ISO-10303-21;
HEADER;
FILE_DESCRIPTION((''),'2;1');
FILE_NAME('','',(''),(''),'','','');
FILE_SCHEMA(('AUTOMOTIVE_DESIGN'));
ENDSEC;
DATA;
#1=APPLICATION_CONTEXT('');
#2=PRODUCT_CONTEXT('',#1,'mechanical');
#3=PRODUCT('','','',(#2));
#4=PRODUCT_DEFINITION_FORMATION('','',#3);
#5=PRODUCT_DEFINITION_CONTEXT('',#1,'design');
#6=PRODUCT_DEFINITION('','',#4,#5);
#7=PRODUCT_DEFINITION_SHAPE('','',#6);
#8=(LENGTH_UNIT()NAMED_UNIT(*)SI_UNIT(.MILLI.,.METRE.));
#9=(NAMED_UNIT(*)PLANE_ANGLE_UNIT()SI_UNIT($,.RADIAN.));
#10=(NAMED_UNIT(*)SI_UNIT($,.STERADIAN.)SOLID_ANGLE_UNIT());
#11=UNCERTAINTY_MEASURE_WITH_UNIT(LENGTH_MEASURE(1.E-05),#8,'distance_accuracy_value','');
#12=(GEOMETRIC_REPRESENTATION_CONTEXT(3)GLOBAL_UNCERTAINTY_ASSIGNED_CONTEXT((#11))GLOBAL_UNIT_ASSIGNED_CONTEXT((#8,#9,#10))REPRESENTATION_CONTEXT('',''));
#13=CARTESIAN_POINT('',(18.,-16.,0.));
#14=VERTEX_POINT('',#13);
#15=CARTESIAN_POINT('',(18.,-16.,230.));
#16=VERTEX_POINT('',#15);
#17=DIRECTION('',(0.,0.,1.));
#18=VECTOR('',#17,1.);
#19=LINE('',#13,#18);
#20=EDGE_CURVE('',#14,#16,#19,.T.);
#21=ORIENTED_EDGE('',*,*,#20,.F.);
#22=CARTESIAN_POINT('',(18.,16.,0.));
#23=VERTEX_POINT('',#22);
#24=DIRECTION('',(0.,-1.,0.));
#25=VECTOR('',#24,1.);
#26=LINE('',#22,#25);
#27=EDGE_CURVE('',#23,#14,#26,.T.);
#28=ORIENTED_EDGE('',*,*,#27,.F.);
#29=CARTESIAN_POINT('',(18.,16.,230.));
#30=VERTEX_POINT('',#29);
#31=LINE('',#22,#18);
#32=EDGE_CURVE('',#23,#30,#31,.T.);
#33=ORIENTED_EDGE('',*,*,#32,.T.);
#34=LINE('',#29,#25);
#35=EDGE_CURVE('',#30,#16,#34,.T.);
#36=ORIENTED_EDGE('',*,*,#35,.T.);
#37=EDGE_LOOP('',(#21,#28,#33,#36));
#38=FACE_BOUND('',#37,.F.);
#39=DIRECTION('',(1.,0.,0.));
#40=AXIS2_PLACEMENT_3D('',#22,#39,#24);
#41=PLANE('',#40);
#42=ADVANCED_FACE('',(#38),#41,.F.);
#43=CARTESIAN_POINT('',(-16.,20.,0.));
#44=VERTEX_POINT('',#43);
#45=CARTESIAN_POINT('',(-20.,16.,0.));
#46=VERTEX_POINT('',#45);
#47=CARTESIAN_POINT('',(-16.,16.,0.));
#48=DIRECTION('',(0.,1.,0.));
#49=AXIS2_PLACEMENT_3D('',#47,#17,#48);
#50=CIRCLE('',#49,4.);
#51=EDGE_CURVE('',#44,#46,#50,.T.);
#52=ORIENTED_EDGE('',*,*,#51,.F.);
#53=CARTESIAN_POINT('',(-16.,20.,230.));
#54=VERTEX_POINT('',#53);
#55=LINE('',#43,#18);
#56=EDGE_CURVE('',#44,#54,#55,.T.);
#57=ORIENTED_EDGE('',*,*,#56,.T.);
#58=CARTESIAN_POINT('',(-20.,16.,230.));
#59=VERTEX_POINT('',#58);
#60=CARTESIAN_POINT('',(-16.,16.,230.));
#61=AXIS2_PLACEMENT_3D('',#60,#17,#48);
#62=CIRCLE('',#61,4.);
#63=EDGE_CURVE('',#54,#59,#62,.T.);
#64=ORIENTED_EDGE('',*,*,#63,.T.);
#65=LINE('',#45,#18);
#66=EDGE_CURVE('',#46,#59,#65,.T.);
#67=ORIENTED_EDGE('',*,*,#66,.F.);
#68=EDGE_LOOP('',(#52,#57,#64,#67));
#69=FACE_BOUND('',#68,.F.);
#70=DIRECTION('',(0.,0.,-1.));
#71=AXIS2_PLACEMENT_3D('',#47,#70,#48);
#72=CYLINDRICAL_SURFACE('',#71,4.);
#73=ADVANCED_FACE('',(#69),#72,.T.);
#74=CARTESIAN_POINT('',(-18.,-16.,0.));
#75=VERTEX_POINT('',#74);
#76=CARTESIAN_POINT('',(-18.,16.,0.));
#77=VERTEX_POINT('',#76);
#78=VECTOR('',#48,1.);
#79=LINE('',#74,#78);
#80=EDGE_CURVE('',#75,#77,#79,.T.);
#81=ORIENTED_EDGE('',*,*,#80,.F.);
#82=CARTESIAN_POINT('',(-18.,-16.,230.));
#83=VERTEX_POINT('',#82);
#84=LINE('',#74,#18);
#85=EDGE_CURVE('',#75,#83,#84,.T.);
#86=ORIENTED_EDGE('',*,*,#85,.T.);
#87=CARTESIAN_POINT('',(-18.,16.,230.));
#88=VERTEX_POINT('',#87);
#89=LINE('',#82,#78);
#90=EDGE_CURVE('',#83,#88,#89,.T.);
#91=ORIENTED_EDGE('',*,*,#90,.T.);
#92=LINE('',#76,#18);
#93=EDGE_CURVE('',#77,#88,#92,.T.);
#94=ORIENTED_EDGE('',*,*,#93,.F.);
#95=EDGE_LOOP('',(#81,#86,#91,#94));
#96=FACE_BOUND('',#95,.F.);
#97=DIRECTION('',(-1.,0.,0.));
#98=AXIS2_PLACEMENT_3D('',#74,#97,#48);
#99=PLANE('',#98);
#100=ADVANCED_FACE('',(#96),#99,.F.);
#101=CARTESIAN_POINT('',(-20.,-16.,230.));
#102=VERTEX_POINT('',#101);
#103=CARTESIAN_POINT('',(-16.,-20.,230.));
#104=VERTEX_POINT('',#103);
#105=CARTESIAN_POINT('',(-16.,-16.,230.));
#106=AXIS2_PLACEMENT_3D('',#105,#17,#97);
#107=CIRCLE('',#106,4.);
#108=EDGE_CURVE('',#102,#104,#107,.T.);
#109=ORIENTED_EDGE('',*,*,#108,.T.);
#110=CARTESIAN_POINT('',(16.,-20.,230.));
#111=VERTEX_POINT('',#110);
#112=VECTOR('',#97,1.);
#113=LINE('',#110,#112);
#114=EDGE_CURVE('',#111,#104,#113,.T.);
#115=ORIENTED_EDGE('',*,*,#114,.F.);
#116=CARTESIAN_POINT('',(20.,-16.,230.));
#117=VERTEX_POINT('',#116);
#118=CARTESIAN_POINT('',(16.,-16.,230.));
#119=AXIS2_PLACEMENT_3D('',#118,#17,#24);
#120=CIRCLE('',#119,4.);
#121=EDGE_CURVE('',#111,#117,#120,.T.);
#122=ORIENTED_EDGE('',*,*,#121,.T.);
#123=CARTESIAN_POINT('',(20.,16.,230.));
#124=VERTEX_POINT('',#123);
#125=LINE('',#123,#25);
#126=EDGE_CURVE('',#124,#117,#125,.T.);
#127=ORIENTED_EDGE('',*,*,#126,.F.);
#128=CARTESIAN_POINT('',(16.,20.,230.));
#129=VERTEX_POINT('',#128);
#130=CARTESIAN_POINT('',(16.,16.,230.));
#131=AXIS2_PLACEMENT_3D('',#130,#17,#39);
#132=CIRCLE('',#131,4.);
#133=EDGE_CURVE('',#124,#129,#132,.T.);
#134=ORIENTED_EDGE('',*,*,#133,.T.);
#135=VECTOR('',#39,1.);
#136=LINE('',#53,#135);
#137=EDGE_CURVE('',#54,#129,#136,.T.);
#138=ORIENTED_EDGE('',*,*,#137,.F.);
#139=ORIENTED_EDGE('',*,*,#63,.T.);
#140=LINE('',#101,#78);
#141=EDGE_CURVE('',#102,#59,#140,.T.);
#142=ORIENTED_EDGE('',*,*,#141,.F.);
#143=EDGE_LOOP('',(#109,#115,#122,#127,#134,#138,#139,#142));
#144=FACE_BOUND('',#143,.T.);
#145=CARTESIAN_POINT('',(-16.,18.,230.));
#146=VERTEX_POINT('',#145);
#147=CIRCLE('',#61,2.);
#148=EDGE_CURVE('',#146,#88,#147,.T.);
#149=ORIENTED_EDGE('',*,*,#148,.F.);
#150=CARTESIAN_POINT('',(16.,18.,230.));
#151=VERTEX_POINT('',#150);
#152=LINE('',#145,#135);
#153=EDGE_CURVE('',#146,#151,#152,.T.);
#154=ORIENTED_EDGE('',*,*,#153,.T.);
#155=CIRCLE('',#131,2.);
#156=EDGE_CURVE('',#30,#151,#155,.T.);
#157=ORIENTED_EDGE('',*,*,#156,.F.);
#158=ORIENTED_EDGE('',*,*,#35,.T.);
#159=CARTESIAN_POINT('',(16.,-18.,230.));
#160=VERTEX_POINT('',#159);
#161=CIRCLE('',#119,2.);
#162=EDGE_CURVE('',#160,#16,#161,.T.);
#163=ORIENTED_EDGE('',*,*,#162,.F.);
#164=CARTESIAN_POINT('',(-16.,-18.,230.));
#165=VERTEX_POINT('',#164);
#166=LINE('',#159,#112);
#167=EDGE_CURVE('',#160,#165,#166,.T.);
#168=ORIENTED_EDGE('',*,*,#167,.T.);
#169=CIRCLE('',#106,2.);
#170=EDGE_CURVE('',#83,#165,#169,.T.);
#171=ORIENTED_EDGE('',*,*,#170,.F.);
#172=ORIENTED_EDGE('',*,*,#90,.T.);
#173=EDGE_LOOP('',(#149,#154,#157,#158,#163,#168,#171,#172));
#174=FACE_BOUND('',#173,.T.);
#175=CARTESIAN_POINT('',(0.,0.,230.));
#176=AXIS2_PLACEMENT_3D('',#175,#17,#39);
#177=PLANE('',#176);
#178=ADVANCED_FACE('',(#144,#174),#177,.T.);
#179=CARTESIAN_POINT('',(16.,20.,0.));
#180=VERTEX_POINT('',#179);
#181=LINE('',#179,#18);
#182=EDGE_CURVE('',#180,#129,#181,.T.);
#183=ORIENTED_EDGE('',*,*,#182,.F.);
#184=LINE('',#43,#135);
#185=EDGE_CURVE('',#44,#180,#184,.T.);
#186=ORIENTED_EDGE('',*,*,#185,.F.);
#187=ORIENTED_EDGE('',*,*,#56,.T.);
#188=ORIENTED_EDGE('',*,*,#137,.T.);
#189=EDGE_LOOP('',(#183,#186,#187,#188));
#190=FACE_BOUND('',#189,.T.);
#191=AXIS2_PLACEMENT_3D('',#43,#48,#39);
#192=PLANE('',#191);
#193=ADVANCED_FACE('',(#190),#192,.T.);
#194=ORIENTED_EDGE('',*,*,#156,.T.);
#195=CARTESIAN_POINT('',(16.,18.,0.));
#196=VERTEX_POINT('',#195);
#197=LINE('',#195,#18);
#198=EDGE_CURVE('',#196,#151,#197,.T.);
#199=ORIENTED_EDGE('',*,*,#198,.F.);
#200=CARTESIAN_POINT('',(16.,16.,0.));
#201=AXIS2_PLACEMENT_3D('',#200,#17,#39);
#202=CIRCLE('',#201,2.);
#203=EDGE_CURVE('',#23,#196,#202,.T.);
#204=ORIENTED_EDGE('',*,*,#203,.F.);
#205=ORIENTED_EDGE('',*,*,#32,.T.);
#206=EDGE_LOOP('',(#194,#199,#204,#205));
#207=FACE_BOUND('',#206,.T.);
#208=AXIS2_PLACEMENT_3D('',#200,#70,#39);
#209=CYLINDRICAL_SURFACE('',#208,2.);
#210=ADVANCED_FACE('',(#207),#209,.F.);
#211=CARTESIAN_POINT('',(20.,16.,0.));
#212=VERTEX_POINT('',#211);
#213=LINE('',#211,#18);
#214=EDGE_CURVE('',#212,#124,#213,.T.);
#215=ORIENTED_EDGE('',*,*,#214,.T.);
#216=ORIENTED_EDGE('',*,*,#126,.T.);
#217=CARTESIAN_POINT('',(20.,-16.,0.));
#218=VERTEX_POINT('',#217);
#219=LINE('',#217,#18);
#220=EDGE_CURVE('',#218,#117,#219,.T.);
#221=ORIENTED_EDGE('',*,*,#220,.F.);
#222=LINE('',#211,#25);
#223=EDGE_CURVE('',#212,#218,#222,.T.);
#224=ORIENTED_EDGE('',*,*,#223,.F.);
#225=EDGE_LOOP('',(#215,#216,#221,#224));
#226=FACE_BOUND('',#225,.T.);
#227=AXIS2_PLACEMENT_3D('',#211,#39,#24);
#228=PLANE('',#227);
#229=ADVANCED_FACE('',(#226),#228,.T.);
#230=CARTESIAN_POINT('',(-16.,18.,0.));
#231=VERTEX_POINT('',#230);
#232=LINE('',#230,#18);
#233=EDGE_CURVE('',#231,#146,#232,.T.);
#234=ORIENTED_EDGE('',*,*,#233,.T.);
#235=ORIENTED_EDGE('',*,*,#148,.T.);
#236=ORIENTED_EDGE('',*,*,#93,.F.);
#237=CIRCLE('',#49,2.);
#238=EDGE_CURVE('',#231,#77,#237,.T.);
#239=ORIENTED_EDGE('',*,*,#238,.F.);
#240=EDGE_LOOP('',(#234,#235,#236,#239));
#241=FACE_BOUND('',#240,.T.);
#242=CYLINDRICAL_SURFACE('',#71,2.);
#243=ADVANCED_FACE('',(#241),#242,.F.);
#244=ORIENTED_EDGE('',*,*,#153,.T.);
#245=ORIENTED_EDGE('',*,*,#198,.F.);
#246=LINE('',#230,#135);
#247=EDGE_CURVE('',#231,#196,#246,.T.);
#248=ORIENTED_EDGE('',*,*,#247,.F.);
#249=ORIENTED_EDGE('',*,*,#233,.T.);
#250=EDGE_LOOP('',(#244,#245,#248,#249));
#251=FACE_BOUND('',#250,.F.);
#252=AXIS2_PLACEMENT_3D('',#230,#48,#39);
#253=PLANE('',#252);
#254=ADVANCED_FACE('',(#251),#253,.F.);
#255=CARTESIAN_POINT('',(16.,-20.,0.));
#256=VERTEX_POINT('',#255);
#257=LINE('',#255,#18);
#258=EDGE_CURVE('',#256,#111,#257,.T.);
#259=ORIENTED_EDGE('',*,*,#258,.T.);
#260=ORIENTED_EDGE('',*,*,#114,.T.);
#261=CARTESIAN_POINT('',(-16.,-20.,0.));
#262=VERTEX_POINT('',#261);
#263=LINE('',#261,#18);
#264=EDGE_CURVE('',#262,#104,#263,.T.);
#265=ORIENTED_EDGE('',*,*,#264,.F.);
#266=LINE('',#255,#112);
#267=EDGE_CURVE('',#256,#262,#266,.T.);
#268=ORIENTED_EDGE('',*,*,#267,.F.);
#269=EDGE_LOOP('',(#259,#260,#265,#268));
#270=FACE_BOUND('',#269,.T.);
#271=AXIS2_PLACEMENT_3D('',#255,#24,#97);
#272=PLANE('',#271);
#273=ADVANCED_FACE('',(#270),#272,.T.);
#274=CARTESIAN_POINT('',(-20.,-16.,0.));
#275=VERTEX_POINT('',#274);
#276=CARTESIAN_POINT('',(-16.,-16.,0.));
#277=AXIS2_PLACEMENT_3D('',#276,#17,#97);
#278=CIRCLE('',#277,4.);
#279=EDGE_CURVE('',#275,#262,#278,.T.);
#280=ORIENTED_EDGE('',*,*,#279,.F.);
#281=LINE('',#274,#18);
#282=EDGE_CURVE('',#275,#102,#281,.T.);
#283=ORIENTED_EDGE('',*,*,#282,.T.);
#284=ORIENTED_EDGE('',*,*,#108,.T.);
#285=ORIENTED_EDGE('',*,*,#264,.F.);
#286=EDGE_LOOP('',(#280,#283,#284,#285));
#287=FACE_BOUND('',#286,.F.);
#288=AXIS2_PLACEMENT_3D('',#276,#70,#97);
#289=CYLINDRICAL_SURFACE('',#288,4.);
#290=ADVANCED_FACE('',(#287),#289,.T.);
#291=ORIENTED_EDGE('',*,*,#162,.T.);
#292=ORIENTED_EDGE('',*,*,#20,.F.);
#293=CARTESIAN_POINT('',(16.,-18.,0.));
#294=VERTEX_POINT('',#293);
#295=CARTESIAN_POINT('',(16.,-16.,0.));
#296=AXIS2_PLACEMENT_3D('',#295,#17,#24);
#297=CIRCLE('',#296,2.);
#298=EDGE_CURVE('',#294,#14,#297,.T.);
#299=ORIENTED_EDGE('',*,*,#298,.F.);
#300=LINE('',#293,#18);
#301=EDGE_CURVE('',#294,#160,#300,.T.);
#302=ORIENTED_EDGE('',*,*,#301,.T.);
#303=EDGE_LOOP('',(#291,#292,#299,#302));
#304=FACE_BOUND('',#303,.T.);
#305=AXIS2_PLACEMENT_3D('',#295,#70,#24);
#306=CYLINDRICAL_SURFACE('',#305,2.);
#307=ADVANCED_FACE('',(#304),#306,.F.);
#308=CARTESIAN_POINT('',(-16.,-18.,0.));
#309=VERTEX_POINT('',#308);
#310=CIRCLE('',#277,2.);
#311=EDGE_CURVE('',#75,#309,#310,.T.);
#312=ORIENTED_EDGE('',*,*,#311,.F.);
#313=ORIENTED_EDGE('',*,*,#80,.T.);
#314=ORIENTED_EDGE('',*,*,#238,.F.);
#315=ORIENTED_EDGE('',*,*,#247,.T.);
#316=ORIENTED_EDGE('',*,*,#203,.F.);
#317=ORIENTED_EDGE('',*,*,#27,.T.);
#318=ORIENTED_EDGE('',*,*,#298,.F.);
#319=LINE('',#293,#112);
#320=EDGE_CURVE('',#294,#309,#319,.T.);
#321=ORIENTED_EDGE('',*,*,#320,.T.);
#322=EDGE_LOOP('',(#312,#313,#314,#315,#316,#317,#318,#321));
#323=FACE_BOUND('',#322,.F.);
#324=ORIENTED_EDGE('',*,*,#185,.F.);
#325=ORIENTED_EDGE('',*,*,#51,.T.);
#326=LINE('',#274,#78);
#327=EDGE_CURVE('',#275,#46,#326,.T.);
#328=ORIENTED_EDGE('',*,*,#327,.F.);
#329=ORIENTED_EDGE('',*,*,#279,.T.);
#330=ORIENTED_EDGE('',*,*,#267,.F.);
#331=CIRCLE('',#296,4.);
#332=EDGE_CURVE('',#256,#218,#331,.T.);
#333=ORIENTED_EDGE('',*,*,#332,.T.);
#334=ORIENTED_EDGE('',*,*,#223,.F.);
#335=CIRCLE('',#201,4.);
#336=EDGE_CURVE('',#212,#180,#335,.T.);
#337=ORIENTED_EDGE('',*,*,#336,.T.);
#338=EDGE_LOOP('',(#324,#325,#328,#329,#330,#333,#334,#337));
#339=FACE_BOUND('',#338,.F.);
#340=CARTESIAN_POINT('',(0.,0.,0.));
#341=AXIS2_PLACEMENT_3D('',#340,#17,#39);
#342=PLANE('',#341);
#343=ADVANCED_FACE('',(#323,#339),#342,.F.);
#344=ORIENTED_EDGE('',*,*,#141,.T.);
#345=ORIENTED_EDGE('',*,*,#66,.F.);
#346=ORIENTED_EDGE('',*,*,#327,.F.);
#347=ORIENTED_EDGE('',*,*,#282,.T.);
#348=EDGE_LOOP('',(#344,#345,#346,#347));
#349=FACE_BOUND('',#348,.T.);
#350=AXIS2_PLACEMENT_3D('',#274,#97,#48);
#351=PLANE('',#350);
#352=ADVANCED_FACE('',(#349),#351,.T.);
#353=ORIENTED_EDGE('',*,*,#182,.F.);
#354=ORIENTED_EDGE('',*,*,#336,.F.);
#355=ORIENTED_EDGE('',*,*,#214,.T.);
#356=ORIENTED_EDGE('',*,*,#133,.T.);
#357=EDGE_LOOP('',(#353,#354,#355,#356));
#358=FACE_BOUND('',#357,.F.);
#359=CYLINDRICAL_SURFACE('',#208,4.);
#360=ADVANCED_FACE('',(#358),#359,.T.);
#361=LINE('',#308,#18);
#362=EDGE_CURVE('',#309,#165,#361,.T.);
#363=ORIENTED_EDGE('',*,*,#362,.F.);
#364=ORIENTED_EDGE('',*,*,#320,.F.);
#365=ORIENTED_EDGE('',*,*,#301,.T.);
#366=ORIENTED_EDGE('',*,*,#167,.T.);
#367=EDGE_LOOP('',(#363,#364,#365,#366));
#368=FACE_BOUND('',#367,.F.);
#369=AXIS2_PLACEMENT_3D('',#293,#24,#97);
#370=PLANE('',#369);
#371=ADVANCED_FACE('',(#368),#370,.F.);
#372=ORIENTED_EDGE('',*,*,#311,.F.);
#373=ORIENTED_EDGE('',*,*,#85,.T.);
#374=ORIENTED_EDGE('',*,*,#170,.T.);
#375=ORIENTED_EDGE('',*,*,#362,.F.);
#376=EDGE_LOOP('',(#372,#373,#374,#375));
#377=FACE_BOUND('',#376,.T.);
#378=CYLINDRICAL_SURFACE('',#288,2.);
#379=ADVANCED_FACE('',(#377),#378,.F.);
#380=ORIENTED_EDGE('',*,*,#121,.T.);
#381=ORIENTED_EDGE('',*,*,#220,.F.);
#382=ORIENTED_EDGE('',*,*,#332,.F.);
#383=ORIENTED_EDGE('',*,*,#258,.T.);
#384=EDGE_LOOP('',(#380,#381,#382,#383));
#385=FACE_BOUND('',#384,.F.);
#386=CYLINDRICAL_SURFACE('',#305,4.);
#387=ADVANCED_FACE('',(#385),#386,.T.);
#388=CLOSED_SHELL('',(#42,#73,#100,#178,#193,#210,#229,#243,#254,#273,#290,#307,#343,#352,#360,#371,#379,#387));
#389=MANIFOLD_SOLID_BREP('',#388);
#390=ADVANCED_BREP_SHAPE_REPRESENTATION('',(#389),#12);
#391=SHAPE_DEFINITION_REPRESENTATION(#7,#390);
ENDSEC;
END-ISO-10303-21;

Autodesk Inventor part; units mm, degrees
ref_plane "YZ Plane" through (0, 0, 0) normal (1, 0, 0) x (0, 1, 0)
ref_plane "Piano iniziale" through (0, 0, 0) normal (0, 0, 1) x (1, 0, 0)
ref_plane "Piano finale" through (0, 0, 230) normal (0, 0, 1) x (1, 0, 0)
sketch "Schizzo" plane through (0, 0, 0) normal (0, 0, 1) x (1, 0, 0)
  line L0 (-20, -16) -> (-20, 16)
  line L1 (-16, 20) -> (16, 20)
  line L2 (20, 16) -> (20, -16)
  line L3 (16, -20) -> (-16, -20)
  arc A0 (-20, -16) -> (-16, -20) centre (-16, -16) ccw
  arc A1 (20, 16) -> (16, 20) centre (16, 16) ccw
  arc A2 (-16, 20) -> (-20, 16) centre (-16, 16) ccw
  arc A3 (16, -20) -> (20, -16) centre (16, -16) ccw
  arc A4 (-16, 18) -> (-18, 16) centre (-16, 16) ccw
  line L4 (-16, 18) -> (16, 18)
  arc A5 (18, 16) -> (16, 18) centre (16, 16) ccw
  line L5 (18, 16) -> (18, -16)
  arc A6 (16, -18) -> (18, -16) centre (16, -16) ccw
  line L6 (16, -18) -> (-16, -18)
  arc A7 (-18, -16) -> (-16, -18) centre (-16, -16) ccw
  line L7 (-18, -16) -> (-18, 16)
  line L8 (0, 29.1598) -> (0, -29.1598) construction
  line L9 (-29.1598, 0) -> (29.1598, 0) construction
  dimension "d7" = 4
  dimension "d9" = 40
  dimension "d11" = 40
  dimension "d12" = 2
  dimension "d15" = 20
  dimension "d16" = 20
extrude "Corpo" add sketch "Schizzo" along normal up to surface (230 mm away) from surface at 0
sketch "Sketch3" plane through (0, 0, 0) normal (0, 0, 1) x (1, 0, 0)
  line L0 (0, 0) -> (10, 0)
ref_plane "Work Plane3" through (0, 0, 0) normal (0, -1, 0) x (1, 0, 0)
sketch "Sketch4" plane through (0, 0, 0) normal (0, -1, 0) x (1, 0, 0)
  line L0 (-2, 0) -> (12, 0)
  line L1 (-2, 230) -> (12, 230)
  dimension "d18" = 230
equation "\"d7\" = G_IR"
equation "\"d9\" = G_W"
equation "\"d11\" = G_H"
equation "\"d12\" = G_T"
equation "\"d15\" = 0.5 * d9"
equation "\"d16\" = 0.5 * d11"
equation "\"d3\" = G_L"
equation "\"G_W\" = 40"
equation "\"G_H\" = 40"
equation "\"G_T\" = 2"
equation "\"G_IR\" = 4"
equation "\"G_L\" = d18"
equation "\"G_OFFSET_START\" = 0"
equation "\"G_OFFSET_END\" = 0"
properties part number "ISO 10799-2 - 40x40x2 - 230" material "Acciaio, Dolce"
